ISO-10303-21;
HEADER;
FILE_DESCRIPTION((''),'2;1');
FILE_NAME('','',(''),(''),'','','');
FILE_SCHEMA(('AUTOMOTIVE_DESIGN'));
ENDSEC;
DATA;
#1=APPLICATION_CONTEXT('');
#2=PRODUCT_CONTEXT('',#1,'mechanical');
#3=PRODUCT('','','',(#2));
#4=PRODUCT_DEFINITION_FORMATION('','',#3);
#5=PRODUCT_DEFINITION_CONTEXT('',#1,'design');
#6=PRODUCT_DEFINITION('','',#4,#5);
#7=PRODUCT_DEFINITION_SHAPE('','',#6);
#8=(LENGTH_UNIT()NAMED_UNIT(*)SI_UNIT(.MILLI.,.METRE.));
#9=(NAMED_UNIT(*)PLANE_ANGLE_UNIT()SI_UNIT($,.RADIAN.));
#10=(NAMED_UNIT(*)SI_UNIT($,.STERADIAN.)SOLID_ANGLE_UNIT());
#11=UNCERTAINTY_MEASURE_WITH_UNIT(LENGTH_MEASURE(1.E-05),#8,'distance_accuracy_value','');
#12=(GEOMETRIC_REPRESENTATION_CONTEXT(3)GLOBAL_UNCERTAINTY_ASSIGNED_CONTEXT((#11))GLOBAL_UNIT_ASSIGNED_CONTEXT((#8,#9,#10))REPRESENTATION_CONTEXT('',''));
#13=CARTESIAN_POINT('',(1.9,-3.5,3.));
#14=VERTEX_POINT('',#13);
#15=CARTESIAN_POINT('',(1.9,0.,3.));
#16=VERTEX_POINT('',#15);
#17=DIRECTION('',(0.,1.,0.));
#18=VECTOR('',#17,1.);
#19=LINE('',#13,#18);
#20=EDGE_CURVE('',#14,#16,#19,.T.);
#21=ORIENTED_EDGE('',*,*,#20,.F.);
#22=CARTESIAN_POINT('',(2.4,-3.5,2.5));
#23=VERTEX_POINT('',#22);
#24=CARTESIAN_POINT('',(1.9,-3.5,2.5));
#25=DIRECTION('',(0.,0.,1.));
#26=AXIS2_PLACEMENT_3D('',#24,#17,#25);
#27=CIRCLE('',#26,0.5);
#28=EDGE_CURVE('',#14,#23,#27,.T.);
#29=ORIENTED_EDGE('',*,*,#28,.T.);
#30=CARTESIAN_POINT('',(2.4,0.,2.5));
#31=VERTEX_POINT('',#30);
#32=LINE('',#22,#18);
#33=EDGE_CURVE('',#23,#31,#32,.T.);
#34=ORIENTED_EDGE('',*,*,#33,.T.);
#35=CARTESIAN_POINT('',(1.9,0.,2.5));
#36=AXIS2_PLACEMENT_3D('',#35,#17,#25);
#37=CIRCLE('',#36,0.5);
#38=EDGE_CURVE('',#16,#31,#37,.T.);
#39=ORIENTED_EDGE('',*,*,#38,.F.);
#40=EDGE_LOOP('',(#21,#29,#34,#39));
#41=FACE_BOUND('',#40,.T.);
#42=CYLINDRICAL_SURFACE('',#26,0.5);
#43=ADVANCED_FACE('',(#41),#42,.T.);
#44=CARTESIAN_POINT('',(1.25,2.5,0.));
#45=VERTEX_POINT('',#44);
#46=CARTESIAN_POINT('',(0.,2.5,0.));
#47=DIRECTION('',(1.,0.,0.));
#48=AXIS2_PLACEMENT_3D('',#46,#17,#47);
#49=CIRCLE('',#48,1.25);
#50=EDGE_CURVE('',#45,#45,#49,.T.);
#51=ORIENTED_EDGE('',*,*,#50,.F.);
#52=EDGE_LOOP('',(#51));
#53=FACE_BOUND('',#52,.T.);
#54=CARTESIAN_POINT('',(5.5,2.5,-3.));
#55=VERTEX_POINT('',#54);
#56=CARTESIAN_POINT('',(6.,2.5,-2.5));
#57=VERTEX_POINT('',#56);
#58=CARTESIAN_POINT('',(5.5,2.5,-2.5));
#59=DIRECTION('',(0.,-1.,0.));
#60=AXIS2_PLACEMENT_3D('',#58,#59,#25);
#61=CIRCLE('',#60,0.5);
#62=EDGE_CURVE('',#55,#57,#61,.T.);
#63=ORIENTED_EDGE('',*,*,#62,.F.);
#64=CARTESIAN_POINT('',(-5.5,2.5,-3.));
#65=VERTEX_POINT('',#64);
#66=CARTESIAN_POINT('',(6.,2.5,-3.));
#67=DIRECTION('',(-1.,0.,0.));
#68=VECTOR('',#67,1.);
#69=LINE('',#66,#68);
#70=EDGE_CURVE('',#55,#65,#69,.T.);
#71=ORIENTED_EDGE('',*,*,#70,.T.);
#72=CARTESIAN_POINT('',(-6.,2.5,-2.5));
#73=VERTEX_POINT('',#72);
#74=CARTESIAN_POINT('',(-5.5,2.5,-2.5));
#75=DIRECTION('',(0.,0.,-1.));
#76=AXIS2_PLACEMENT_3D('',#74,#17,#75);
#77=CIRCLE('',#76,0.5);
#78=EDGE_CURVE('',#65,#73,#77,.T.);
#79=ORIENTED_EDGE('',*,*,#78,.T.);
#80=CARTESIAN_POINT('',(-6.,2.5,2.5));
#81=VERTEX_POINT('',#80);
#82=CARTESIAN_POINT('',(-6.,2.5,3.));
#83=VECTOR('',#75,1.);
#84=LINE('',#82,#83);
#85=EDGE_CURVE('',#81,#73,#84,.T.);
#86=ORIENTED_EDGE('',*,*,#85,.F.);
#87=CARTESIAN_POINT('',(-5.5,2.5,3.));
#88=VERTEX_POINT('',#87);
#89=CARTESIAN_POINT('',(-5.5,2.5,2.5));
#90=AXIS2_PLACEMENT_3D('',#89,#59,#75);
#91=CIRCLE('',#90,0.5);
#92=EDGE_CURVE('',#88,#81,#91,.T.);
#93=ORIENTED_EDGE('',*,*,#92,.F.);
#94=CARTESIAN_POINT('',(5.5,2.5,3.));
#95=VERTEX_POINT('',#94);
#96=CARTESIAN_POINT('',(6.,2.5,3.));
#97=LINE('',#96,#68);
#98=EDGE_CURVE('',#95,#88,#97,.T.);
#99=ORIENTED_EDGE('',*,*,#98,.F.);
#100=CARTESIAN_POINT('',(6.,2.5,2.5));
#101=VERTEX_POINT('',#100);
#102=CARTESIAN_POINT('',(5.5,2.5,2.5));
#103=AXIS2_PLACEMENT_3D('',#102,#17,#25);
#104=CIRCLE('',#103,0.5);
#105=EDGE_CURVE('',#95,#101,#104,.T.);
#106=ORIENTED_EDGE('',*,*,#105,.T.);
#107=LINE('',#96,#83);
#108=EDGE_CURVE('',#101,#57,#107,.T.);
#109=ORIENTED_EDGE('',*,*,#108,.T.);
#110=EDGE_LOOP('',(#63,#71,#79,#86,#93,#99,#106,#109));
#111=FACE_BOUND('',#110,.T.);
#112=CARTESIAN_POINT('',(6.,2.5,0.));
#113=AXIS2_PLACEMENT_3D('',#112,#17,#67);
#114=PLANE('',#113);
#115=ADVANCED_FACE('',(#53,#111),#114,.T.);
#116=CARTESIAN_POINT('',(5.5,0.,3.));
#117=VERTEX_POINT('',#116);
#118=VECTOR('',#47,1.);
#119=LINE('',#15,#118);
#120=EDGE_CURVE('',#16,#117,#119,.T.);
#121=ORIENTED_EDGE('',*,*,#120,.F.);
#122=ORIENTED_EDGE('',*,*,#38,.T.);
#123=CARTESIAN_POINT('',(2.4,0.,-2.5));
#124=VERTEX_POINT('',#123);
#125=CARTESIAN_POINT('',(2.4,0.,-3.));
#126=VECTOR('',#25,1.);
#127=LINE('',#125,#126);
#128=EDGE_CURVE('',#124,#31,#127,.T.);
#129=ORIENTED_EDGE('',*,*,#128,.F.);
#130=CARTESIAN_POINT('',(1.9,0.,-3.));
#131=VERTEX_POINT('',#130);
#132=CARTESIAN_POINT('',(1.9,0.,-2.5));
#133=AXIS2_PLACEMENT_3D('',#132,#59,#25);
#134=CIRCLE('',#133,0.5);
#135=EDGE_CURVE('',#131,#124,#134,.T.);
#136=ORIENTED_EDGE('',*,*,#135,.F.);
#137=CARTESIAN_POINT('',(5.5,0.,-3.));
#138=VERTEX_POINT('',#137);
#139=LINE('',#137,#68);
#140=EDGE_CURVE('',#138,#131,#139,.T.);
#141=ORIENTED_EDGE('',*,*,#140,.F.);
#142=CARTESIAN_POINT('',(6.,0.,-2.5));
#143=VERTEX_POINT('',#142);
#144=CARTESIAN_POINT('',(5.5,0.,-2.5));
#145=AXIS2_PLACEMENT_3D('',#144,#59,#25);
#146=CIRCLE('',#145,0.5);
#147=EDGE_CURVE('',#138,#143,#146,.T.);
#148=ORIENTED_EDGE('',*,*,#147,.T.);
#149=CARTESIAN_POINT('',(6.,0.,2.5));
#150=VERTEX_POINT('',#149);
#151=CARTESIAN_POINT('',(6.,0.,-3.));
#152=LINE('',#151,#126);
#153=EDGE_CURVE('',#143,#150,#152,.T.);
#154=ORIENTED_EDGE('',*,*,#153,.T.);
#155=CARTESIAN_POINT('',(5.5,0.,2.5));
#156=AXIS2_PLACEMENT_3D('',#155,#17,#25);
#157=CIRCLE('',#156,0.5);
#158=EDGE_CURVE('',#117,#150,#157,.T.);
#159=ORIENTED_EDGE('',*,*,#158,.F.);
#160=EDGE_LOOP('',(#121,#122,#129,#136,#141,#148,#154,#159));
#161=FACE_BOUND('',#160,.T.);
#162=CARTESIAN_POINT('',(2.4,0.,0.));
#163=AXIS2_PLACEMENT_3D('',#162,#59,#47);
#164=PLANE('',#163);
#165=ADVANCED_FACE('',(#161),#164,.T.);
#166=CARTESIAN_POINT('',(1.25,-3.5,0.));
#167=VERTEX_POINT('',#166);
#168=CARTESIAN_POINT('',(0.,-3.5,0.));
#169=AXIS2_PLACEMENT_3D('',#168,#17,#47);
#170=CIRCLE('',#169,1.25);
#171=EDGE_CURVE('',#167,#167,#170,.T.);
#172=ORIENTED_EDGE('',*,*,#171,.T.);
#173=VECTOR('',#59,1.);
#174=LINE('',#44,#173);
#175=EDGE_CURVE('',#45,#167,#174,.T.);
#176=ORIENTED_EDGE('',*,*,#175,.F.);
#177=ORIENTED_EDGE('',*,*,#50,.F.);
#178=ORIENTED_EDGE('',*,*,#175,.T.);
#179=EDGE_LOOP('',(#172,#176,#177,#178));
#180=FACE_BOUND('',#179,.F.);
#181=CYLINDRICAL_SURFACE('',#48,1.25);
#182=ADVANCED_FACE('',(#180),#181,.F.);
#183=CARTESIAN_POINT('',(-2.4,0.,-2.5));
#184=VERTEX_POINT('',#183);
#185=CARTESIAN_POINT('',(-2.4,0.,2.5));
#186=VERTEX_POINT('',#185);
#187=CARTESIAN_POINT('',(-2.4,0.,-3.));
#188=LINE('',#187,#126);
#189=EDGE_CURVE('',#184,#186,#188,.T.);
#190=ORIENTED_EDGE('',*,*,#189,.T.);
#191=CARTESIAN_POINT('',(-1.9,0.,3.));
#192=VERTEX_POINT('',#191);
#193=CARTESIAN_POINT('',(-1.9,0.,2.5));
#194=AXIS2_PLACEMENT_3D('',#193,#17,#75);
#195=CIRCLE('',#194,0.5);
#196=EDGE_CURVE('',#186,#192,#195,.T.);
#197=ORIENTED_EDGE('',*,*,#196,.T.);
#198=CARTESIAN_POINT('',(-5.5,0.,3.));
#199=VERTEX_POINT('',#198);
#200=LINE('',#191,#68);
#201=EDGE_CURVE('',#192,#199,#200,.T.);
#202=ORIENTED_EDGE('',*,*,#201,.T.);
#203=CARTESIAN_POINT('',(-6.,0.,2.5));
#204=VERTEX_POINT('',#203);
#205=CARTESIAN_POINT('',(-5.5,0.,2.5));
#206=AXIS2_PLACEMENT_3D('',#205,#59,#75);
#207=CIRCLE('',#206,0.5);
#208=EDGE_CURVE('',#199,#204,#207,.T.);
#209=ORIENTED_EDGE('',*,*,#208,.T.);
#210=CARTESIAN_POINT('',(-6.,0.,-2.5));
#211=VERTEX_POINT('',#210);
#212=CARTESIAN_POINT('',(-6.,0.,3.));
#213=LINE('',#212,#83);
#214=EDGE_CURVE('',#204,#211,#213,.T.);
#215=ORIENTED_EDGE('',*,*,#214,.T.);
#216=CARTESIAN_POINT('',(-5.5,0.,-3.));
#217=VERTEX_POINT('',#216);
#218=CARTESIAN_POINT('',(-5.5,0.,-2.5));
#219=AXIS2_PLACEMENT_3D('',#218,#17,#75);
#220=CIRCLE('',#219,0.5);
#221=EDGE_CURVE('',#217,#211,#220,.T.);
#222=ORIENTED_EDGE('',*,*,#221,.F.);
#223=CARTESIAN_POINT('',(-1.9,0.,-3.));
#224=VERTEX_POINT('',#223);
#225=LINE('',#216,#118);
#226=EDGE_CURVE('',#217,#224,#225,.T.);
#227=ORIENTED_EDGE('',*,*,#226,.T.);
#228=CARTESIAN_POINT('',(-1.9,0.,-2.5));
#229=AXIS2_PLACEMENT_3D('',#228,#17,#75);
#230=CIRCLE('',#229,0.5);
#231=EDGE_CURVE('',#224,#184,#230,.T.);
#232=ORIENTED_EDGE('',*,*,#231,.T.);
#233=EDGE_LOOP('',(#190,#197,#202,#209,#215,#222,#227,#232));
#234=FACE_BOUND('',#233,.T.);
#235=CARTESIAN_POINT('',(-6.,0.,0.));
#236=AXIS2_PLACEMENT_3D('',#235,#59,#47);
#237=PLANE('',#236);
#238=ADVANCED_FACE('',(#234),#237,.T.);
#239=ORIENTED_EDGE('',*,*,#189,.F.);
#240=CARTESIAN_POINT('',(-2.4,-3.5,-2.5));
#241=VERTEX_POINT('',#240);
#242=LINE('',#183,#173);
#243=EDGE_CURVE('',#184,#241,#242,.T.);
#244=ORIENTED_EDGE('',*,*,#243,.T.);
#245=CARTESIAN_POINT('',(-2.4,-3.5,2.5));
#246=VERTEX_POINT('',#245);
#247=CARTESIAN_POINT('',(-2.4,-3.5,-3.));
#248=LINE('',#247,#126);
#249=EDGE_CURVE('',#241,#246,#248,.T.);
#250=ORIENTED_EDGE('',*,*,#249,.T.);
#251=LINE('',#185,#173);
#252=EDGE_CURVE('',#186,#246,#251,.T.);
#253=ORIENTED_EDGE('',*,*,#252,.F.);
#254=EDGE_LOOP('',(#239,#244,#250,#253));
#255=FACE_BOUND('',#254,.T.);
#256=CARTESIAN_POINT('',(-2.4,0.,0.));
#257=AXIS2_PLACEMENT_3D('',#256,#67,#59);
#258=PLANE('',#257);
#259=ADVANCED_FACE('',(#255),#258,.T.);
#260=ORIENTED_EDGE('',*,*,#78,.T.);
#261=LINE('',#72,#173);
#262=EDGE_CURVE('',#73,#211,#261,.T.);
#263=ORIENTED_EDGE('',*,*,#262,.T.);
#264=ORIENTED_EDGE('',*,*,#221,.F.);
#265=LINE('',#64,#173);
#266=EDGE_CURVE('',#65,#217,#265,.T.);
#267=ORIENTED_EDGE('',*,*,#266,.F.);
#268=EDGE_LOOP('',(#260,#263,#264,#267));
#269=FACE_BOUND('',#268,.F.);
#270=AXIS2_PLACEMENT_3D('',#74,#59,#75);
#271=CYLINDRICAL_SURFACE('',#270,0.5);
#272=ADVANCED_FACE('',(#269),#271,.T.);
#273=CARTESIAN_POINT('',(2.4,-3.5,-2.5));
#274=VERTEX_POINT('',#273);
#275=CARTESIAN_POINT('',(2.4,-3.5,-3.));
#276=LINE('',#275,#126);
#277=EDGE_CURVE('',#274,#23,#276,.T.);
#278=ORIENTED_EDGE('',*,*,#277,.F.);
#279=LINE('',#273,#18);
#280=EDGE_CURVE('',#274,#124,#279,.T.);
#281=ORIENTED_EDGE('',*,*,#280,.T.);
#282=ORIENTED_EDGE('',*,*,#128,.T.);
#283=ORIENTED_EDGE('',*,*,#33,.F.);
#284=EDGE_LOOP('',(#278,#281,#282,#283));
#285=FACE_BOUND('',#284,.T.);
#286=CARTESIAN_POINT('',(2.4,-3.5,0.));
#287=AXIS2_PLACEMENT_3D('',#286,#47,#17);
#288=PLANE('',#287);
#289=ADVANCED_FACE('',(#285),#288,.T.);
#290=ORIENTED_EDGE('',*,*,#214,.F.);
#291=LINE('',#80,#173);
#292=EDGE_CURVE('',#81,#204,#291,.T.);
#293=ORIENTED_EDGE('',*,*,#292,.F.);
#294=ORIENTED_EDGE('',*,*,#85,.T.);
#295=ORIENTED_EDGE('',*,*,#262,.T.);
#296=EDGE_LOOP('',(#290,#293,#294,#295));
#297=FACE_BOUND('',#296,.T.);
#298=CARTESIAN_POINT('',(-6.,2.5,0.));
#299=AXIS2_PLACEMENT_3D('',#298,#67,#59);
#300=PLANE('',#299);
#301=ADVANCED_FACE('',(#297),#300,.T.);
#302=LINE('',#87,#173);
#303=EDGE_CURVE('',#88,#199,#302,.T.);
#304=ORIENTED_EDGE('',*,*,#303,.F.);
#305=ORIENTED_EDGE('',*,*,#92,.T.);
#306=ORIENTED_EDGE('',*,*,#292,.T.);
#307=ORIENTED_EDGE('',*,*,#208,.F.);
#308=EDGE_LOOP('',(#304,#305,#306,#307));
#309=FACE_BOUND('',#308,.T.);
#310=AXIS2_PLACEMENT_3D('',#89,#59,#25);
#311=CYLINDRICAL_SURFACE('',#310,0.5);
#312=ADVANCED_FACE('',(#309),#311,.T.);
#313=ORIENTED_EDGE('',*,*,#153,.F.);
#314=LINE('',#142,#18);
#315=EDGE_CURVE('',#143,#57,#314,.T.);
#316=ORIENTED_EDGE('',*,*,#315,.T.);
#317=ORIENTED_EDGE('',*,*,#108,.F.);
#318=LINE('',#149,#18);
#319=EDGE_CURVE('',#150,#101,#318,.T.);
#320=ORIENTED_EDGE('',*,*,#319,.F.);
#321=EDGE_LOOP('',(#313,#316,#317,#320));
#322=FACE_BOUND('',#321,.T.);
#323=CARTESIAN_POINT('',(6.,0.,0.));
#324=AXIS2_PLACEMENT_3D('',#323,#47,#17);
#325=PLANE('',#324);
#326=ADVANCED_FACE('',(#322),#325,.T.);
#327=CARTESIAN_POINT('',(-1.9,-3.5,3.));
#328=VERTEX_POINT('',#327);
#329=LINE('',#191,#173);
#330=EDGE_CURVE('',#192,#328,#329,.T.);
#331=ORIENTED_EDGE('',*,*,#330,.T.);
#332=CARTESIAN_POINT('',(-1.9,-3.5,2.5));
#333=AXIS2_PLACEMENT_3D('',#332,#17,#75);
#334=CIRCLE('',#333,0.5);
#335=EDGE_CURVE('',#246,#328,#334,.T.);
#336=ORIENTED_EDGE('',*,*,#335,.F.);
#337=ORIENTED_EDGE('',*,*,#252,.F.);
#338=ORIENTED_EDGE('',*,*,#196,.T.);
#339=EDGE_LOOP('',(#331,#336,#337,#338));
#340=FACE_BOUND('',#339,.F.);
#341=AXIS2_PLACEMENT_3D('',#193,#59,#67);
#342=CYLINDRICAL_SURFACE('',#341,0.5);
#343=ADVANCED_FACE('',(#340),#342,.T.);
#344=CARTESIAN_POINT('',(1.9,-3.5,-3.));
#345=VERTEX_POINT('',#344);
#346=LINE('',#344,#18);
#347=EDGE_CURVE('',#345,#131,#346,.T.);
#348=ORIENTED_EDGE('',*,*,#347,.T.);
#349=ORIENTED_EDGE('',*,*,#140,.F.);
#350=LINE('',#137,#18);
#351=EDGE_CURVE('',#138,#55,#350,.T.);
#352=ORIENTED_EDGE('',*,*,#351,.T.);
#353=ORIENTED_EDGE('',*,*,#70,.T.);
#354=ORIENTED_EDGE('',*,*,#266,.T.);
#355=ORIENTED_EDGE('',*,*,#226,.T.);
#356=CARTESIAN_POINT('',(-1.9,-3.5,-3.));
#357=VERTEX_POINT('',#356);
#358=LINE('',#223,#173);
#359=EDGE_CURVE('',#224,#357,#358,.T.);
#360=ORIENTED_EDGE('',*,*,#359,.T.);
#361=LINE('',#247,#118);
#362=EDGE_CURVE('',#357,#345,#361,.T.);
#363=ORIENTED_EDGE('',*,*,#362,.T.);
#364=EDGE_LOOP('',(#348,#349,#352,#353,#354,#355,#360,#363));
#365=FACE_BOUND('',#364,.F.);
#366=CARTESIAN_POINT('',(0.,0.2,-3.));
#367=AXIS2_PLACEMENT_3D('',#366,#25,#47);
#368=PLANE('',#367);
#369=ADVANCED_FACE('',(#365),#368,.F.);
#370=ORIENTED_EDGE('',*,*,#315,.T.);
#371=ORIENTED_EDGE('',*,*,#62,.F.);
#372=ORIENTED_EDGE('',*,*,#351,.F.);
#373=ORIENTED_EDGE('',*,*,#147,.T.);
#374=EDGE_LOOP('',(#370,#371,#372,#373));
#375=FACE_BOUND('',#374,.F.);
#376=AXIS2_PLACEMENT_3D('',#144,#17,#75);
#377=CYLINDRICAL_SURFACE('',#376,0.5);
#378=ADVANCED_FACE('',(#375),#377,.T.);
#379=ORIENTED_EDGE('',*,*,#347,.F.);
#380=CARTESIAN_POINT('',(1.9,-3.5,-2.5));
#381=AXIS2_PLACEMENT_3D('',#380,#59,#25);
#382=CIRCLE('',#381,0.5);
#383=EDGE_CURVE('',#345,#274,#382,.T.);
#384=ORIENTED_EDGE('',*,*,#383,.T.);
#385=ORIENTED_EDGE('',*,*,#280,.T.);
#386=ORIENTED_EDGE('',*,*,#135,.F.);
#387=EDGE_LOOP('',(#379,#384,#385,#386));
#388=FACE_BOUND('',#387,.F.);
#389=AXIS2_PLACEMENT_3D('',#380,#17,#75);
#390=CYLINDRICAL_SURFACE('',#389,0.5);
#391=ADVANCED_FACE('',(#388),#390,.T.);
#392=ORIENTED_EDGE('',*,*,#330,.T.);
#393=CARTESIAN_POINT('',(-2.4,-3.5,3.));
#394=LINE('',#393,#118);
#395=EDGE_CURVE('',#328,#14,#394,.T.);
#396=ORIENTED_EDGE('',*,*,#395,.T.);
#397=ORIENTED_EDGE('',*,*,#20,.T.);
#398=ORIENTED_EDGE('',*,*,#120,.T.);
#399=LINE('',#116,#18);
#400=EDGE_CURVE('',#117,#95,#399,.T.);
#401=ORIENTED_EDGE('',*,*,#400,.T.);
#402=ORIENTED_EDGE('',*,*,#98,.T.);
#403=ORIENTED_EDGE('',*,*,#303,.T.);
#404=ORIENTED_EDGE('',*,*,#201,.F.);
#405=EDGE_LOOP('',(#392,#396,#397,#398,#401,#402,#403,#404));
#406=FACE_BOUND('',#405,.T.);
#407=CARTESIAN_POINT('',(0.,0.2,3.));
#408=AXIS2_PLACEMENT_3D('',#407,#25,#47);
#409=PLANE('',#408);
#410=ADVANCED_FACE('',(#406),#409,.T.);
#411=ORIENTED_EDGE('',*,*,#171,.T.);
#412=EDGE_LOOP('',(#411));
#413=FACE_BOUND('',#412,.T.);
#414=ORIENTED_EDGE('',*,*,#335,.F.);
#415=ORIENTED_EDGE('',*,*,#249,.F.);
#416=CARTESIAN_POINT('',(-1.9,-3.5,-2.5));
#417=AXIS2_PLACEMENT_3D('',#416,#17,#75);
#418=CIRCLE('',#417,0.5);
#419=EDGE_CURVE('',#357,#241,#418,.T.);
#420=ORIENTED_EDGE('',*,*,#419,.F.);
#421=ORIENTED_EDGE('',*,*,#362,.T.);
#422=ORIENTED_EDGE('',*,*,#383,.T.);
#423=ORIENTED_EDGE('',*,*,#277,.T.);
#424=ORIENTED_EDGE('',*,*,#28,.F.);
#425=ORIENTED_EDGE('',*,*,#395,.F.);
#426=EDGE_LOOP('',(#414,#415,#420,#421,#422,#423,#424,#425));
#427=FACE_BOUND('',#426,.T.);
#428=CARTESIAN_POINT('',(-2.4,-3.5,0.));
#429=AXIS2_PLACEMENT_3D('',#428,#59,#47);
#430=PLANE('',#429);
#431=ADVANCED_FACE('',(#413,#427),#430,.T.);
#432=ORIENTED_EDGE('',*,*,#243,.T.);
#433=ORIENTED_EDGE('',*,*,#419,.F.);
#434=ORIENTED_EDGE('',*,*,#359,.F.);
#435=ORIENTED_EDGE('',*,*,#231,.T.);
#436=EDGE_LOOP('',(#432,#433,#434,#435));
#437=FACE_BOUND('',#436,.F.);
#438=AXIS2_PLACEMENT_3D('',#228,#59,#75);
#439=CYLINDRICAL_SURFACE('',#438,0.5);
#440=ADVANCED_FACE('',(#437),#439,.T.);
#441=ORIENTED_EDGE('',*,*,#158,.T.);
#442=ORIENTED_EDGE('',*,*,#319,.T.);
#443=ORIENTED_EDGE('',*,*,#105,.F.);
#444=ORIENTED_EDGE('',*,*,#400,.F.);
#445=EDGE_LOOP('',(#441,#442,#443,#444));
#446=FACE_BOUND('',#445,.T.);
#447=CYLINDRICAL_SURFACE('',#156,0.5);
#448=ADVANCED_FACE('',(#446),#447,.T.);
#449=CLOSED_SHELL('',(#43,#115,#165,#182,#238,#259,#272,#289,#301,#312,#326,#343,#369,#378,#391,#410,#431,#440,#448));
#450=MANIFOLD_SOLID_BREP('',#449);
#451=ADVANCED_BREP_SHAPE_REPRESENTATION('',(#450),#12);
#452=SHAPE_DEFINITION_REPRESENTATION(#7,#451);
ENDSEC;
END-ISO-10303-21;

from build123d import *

# Parameters (mm, degrees)
BOSS_EXTRU_1_DEPTH      = 3
ESQUISSE2_R             = 1.25
ENL_V_MAT_EXTRU_1_DEPTH = 7
CONG_2_R                = 0.5


with BuildPart() as part:
    # Esquisse1 → Boss.-Extru.1 (new body, symmetric)
    with BuildSketch(Plane.XY):
        Polygon((-6, 0), (-2.4, 0), (-2.4, -3.5), (2.4, -3.5), (2.4, 0), (6, 0), (6, 2.5), (-6, 2.5), align=None)
    extrude(amount=BOSS_EXTRU_1_DEPTH, both=True)

    # Esquisse2 → Enlèv. mat.-Extru.1 (cut, through all)
    with BuildSketch(Plane(origin=(0, 2.5, 0), x_dir=(1, 0, 0), z_dir=(0, 1, 0))):
        Circle(ESQUISSE2_R)
    extrude(amount=-ENL_V_MAT_EXTRU_1_DEPTH, mode=Mode.SUBTRACT)

    # Congé2
    cong_2_edges = [part.edges().sort_by_distance(p)[0] for p in [
        (-6, 1.25, -3),
        (6, 1.25, -3),
        (-6, 1.25, 3),
        (-2.4, -1.75, 3),
        (2.4, -1.75, 3),
        (6, 1.25, 3),
        (2.4, -1.75, -3),
        (-2.4, -1.75, -3),
    ]]
    fillet(cong_2_edges, radius=CONG_2_R)


solid = part.part
